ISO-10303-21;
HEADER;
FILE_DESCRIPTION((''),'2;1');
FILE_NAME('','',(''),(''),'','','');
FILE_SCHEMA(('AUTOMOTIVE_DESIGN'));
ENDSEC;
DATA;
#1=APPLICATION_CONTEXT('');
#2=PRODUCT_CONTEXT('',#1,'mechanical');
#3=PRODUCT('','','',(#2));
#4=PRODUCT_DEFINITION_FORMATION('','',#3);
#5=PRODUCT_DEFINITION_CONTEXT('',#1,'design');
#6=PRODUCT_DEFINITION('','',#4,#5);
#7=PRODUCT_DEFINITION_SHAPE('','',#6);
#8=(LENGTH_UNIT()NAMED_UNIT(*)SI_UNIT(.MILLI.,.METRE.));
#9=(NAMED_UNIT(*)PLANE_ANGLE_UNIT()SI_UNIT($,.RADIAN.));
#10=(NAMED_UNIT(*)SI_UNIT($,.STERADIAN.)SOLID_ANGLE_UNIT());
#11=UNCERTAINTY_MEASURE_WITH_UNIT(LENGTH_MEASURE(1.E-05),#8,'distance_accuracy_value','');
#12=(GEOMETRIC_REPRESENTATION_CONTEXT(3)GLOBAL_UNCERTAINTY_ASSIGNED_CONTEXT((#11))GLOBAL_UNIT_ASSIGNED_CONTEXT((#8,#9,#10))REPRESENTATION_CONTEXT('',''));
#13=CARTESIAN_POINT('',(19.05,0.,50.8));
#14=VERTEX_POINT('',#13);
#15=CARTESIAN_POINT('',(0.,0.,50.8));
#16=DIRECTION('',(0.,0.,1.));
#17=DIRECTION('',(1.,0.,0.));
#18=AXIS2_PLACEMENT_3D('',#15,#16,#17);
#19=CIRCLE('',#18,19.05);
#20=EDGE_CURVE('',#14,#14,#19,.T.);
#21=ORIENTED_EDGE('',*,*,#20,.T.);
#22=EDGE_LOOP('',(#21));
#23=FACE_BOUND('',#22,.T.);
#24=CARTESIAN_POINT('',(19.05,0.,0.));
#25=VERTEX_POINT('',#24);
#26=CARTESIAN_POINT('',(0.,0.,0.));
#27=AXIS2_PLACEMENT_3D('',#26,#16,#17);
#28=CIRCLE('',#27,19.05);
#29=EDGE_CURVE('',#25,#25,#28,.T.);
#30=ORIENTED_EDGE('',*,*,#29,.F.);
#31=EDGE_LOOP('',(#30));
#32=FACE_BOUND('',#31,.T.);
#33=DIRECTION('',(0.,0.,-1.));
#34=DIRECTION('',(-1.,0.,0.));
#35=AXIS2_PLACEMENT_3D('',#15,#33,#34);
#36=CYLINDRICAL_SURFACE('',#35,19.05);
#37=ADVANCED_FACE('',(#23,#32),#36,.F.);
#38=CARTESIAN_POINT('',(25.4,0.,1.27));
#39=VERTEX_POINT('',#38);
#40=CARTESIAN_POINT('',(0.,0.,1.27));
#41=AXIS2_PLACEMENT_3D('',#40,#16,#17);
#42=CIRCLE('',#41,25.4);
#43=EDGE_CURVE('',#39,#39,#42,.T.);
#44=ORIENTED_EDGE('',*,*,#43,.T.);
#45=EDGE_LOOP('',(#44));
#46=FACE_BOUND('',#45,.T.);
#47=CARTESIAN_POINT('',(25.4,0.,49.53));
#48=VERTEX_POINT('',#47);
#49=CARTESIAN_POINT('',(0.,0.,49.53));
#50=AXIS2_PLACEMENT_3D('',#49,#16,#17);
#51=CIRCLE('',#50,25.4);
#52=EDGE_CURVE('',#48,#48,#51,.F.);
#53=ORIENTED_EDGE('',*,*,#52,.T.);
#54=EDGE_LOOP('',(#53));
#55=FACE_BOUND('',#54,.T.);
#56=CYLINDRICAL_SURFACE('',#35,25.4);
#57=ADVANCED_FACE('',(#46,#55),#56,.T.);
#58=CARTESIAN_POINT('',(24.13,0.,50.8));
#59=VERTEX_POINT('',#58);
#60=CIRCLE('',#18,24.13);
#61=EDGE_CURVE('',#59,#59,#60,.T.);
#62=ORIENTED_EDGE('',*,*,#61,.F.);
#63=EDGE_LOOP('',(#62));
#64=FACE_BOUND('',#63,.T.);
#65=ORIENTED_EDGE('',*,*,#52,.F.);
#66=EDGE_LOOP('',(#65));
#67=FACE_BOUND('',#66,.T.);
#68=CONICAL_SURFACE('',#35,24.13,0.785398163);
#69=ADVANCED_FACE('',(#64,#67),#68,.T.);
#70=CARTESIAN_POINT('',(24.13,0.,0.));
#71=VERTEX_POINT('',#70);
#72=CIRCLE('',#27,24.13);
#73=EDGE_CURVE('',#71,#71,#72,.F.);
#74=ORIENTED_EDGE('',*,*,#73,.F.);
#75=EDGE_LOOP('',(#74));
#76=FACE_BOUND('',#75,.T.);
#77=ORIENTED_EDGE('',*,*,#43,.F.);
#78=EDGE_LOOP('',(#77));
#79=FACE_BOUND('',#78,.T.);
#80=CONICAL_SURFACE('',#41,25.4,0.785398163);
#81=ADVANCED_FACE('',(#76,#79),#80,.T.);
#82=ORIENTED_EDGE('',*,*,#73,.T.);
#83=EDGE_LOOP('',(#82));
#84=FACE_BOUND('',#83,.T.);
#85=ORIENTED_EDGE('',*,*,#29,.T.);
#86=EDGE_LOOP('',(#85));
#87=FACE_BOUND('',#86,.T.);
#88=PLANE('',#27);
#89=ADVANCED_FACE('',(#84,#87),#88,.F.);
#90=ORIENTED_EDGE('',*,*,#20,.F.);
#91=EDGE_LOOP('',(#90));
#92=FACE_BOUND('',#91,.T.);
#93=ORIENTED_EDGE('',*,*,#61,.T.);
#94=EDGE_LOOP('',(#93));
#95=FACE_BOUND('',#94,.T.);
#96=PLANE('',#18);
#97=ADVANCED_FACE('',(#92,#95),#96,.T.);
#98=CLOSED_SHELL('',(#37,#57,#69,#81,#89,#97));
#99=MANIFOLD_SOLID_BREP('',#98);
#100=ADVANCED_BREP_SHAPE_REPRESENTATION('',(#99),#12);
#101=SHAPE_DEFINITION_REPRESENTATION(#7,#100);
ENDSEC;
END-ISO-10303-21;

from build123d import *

# Parameters (mm, degrees)
SKETCH1_R           = 25.4
SKETCH1_R_2         = 19.05
BOSS_EXTRUDE1_DEPTH = 50.8
CHAMFER1_SIZE       = 1.27
CHAMFER2_SIZE       = 1.27


with BuildPart() as part:
    # Sketch1 → Boss-Extrude1 (new body)
    with BuildSketch(Plane.XY):
        Circle(SKETCH1_R)
        Circle(SKETCH1_R_2, mode=Mode.SUBTRACT)
    extrude(amount=BOSS_EXTRUDE1_DEPTH)

    # Chamfer1
    chamfer1_edges = [part.edges().sort_by_distance(p)[0] for p in [
        (-25.4, 0, 0),
    ]]
    chamfer(chamfer1_edges, length=CHAMFER1_SIZE)

    # Chamfer2
    chamfer2_edges = [part.edges().sort_by_distance(p)[0] for p in [
        (-25.4, 0, 50.8),
    ]]
    chamfer(chamfer2_edges, length=CHAMFER2_SIZE)


solid = part.part
